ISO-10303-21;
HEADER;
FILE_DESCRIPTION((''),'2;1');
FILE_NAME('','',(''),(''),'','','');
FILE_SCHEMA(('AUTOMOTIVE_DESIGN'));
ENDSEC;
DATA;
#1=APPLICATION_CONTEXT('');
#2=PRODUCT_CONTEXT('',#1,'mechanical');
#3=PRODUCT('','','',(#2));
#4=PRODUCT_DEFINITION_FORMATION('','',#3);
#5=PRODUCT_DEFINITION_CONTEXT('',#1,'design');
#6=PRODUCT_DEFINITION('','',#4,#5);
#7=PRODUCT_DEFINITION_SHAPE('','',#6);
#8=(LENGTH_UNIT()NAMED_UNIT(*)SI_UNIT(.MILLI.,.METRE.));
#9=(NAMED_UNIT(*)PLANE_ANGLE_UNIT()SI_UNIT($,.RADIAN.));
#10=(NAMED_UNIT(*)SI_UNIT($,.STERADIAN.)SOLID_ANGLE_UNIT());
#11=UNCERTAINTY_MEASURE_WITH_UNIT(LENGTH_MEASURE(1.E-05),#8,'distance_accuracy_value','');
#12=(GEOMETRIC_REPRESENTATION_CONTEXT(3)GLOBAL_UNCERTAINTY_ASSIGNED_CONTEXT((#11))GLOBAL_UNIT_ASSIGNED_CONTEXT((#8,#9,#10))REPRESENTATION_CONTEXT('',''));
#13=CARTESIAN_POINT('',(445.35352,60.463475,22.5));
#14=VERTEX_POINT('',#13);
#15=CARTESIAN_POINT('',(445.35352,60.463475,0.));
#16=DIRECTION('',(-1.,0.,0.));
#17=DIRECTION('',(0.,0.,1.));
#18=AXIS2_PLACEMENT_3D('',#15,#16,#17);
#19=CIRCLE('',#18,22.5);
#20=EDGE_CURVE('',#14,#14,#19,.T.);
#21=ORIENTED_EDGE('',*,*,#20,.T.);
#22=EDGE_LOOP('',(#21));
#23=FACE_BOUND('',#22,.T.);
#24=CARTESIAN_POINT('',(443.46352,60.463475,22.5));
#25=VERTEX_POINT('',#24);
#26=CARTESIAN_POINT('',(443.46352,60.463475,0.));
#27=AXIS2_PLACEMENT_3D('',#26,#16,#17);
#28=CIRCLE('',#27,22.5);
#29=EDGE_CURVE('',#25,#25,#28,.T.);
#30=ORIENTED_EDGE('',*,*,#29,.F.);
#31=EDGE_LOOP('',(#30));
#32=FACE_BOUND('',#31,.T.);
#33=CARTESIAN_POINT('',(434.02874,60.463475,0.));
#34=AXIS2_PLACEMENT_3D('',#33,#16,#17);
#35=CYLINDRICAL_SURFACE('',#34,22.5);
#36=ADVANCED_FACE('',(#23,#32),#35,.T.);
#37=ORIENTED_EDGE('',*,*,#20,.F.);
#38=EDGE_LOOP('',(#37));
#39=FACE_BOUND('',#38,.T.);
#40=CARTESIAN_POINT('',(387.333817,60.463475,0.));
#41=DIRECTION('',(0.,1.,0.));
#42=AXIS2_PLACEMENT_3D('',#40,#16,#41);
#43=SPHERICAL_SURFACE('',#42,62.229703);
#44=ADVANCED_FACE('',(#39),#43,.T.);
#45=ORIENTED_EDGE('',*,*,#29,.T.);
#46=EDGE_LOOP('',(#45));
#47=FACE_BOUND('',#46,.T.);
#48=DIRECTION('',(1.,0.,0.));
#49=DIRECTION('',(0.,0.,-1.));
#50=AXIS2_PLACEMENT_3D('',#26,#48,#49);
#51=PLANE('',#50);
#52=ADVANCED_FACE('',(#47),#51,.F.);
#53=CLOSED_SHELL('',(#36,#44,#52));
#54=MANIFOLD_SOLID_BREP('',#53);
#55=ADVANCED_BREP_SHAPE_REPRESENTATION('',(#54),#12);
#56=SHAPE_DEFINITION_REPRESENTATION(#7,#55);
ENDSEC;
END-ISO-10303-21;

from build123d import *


with BuildPart() as part:
    # 草图1 → 旋转1 (revolve)
    with BuildSketch(Plane.XY):
        with BuildLine():
            Line((443.463520319, 60.46347484), (443.463520319, 82.96347484))
            Line((443.463520319, 82.96347484), (445.353520319, 82.96347484))
            ThreePointArc((445.353520319, 82.96347484), (448.50196598, 71.908715118), (449.563520319, 60.46347484))
            Line((449.563520319, 60.46347484), (443.463520319, 60.46347484))
        make_face()
    revolve(axis=Axis((434.028740434, 60.46347484, 0), (1, 0, 0)))


solid = part.part
